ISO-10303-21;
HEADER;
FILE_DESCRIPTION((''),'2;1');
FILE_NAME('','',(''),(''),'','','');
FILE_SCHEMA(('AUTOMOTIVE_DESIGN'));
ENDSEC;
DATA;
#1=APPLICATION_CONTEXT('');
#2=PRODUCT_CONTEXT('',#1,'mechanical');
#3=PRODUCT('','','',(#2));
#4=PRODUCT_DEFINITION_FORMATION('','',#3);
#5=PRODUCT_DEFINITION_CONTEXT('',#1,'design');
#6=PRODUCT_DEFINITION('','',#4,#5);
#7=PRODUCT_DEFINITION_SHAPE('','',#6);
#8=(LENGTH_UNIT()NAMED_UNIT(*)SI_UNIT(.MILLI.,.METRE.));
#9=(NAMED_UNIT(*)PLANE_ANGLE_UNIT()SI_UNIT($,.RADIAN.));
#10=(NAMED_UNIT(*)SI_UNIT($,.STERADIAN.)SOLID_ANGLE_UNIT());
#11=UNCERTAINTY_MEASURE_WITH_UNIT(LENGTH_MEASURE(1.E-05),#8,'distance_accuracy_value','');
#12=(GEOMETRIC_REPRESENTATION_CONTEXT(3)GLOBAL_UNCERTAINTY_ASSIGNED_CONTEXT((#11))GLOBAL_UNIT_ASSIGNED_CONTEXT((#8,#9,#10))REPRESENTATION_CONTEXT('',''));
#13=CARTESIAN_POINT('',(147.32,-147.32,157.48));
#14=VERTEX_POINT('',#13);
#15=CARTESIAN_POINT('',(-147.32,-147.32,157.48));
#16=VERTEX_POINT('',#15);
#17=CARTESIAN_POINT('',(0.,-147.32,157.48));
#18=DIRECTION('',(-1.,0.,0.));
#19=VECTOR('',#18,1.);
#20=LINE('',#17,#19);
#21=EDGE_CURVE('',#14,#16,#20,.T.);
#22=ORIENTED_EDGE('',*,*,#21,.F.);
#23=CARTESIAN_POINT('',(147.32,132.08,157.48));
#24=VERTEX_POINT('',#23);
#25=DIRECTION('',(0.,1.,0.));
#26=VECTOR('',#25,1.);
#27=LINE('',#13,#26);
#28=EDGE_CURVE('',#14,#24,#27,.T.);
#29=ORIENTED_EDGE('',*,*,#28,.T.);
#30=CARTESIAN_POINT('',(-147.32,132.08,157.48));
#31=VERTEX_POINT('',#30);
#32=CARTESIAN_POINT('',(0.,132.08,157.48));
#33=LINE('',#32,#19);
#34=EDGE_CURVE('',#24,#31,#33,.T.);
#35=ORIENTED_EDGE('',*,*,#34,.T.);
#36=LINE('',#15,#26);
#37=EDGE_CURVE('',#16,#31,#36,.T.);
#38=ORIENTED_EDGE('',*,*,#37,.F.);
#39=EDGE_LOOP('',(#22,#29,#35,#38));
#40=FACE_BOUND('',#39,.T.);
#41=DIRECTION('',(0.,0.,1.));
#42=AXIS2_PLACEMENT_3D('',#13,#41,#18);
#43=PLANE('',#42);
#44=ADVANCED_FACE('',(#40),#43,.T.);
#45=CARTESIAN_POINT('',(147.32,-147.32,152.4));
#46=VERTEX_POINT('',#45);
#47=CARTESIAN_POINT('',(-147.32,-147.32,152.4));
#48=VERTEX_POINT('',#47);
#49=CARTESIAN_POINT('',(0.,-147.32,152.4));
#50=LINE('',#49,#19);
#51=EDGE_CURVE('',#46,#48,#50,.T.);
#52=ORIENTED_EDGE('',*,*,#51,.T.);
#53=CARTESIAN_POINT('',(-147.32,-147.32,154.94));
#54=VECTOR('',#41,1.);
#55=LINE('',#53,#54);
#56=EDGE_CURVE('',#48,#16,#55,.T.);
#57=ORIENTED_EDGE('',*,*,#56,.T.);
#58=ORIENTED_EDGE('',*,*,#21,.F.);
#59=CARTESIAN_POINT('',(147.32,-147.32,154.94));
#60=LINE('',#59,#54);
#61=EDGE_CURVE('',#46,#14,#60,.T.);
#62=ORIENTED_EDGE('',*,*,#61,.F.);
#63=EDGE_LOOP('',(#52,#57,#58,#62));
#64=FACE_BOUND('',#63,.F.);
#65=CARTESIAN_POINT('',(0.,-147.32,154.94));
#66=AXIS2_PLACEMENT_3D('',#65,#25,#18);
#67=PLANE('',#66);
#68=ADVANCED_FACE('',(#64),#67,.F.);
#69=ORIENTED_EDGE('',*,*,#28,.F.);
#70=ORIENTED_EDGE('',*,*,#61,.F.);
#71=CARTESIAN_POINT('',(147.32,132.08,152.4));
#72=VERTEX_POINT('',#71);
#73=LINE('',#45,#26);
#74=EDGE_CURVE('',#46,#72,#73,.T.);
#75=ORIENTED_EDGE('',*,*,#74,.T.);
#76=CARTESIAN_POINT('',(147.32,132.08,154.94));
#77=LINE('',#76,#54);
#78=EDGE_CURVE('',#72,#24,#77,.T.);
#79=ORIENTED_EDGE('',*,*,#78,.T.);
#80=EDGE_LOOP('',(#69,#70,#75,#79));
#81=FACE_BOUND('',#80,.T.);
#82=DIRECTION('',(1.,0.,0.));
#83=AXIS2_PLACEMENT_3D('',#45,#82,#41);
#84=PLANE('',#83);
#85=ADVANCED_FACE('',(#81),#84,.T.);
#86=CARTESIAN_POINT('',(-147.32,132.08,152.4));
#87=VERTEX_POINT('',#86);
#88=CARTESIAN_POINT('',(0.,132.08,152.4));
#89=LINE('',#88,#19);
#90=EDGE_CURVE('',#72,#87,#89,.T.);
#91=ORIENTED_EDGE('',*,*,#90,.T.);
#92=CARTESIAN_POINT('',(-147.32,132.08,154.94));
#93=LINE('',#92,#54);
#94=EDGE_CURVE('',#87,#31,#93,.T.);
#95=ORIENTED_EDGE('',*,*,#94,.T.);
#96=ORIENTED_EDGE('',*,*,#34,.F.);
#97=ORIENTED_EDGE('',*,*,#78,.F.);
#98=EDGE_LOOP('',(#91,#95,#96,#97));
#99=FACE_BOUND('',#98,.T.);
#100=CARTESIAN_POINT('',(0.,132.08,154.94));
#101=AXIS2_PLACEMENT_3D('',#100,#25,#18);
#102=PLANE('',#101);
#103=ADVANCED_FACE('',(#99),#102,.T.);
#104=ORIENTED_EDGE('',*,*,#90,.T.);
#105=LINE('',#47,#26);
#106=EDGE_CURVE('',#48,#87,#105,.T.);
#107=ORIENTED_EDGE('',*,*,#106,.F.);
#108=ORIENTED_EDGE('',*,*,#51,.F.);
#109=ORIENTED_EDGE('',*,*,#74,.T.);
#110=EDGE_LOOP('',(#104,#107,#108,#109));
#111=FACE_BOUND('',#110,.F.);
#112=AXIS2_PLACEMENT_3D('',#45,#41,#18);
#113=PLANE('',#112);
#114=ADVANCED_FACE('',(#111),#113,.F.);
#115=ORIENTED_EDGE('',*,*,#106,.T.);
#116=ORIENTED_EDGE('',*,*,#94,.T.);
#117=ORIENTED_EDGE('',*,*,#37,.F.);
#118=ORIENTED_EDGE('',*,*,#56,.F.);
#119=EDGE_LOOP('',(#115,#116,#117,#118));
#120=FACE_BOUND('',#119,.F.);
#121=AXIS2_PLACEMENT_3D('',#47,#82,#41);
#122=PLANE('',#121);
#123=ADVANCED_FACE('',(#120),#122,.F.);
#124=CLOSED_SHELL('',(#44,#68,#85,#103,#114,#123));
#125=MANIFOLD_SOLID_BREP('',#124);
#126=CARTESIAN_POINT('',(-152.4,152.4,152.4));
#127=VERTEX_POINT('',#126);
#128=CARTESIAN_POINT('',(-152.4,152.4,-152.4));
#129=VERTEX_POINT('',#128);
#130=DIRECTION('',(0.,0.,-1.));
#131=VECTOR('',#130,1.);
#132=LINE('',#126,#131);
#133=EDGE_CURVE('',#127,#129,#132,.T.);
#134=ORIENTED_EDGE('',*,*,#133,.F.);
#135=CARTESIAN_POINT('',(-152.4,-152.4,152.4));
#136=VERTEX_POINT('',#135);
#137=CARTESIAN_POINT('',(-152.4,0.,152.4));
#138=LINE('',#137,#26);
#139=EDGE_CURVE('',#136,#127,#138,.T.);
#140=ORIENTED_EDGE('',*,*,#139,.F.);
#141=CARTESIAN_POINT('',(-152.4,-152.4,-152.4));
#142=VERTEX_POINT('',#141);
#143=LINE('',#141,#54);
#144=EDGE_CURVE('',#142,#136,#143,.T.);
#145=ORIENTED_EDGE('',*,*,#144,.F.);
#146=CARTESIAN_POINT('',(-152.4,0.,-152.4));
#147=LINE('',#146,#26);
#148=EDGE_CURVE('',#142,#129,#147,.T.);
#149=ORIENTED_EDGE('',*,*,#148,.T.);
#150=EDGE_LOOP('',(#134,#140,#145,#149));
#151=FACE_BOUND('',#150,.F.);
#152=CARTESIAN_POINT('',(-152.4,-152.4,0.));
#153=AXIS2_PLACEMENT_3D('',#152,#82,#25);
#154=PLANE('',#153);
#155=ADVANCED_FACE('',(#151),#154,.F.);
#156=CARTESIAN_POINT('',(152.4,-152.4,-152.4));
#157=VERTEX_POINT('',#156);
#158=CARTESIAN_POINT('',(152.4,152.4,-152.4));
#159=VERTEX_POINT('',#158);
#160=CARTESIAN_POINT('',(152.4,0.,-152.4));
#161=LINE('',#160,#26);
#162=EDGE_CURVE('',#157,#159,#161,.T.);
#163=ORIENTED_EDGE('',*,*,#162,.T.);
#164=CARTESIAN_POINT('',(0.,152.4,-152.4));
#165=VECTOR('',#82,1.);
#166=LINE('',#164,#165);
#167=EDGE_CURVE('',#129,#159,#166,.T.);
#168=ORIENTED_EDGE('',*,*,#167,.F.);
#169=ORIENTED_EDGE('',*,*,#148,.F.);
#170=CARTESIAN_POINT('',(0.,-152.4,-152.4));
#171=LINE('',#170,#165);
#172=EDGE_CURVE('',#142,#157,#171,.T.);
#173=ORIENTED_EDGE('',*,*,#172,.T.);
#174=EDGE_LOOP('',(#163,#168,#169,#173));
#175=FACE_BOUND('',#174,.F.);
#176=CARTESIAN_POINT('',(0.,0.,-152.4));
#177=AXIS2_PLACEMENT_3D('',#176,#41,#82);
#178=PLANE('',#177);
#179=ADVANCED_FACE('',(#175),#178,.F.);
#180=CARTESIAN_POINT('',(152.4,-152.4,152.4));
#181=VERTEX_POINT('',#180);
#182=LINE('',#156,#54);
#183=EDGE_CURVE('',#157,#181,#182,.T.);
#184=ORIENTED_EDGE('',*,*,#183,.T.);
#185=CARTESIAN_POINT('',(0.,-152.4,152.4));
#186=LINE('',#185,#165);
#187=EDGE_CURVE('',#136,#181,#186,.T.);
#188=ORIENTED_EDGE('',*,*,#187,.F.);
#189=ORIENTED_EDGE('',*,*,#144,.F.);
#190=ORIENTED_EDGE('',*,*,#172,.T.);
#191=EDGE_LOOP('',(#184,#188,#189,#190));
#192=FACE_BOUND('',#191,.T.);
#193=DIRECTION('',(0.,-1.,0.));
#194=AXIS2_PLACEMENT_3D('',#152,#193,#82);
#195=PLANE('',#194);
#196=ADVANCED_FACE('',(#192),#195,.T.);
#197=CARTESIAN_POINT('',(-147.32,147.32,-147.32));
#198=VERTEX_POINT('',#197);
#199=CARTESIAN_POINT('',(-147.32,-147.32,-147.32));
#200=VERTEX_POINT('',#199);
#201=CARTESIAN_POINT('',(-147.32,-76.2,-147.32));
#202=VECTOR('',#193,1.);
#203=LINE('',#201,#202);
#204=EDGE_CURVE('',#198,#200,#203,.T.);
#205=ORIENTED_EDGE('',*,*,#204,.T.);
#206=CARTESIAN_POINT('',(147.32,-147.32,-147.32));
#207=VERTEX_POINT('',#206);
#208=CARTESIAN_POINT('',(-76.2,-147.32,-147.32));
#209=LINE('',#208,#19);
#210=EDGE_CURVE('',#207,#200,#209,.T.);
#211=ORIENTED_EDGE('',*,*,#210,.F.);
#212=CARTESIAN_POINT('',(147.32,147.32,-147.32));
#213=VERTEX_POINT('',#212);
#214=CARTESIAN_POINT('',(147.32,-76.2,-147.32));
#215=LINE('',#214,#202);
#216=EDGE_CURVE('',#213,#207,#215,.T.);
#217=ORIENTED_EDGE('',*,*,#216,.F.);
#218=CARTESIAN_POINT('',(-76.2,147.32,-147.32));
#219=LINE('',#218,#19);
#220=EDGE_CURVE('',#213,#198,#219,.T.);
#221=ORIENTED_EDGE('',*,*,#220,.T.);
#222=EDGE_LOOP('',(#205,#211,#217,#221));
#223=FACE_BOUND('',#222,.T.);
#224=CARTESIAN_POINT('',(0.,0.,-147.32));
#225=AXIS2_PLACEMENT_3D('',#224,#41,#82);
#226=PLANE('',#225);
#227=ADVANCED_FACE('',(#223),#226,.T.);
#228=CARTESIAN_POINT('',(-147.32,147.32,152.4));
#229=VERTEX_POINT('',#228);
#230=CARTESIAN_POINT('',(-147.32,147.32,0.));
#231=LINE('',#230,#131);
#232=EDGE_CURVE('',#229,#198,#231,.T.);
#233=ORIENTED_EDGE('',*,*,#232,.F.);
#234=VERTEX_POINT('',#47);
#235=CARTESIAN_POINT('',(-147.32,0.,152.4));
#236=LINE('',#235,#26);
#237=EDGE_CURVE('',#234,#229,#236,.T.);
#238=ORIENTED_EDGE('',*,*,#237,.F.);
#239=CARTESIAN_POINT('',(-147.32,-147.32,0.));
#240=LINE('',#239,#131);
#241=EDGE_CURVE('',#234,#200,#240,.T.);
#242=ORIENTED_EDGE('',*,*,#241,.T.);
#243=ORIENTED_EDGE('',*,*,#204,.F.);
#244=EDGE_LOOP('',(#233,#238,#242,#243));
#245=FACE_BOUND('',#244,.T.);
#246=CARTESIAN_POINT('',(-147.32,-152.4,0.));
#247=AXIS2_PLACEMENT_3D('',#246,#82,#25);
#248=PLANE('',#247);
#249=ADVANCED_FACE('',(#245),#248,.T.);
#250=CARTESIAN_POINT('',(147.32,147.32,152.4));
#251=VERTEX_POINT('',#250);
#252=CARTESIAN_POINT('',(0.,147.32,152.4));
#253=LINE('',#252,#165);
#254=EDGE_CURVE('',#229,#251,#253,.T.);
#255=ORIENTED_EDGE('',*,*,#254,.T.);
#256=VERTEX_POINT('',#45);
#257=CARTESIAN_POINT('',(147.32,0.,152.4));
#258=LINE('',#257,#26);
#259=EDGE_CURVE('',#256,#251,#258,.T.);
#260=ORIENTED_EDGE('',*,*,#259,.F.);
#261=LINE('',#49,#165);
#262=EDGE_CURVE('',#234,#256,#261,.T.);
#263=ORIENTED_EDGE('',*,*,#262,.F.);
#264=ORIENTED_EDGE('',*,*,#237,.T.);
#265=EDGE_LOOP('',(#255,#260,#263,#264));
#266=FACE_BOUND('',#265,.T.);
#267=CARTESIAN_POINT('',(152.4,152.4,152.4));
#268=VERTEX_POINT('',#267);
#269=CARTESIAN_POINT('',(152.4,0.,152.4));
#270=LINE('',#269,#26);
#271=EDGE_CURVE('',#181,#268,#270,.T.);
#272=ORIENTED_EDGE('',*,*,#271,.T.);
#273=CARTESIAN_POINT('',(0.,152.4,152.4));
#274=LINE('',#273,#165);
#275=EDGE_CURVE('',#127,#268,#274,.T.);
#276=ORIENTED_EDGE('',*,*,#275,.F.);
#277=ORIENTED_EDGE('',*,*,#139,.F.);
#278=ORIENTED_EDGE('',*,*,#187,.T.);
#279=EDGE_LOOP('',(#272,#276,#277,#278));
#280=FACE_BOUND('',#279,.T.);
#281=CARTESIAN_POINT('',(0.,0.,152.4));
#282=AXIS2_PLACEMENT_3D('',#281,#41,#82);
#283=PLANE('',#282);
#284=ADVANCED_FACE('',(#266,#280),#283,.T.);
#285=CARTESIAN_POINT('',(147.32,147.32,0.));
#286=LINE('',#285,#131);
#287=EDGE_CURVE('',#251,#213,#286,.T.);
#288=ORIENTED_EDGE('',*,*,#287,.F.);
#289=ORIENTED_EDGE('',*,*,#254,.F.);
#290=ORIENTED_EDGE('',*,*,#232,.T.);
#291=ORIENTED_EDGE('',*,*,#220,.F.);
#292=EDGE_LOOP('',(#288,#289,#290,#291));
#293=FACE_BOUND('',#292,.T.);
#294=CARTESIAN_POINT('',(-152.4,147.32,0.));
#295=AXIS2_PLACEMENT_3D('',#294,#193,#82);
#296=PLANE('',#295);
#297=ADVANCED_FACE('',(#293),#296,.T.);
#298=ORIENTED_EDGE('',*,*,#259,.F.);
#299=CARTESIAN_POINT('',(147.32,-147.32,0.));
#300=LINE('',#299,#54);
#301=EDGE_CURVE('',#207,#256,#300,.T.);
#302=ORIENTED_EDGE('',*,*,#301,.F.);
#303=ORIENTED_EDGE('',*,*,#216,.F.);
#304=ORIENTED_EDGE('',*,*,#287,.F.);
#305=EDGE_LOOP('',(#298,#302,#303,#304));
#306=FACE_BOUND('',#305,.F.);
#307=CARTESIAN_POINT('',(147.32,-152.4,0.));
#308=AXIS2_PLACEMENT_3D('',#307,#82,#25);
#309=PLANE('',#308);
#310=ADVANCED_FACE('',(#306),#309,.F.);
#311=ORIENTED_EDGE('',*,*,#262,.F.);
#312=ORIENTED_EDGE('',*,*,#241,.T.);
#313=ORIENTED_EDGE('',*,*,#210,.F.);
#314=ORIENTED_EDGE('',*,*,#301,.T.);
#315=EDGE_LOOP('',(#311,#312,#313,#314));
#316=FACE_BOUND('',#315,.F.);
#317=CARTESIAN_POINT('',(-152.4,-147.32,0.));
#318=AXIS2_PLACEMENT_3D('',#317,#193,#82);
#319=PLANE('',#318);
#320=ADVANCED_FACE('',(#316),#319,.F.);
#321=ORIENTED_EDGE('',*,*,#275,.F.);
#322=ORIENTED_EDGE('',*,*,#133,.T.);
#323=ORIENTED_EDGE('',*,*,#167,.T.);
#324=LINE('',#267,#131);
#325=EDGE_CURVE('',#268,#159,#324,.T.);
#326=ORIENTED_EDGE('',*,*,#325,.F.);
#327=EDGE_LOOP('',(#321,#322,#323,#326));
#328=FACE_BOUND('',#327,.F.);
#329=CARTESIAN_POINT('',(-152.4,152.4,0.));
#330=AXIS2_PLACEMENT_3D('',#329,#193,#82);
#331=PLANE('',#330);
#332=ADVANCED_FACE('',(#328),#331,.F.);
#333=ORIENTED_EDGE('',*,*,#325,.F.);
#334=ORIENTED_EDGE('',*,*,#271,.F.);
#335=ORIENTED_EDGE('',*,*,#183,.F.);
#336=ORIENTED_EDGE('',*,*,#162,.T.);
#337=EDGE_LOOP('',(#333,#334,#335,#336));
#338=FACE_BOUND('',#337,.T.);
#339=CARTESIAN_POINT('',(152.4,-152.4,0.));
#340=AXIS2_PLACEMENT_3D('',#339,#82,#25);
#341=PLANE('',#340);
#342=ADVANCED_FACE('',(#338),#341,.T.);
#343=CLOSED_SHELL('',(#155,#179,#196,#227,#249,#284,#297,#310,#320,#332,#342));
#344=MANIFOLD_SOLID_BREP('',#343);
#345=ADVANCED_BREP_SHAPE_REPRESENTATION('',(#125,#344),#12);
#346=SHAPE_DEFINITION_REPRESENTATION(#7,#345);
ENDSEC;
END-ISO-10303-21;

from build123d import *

# Parameters (mm, degrees)
F0_W     = 304.8
F0_H     = 304.8
F1_DEPTH = 152.4
F2_T     = -5.08
F3_W     = 294.64
F3_H     = 5.08
F4_DEPTH = 279.4


with BuildPart() as f1:
    # F0 (on Top) → F1 (new body, symmetric)
    with BuildSketch(Plane.XY):
        Rectangle(F0_W, F0_H)
    extrude(amount=F1_DEPTH, both=True)

    # F2
    f2_openings = [f1.faces().sort_by_distance(p)[0] for p in [
        (0, 0, 152.4),
    ]]
    offset(amount=F2_T, openings=f2_openings)


with BuildPart() as f4:
    # F3 (on face) → F4 (new body)
    with BuildSketch(Plane(origin=(0, -147.32, 0), x_dir=(-1, 0, 0), z_dir=(0, 1, 0))):
        with Locations((0, 154.94)):
            Rectangle(F3_W, F3_H)
    extrude(amount=F4_DEPTH)


solid = Compound([f1.part, f4.part])
